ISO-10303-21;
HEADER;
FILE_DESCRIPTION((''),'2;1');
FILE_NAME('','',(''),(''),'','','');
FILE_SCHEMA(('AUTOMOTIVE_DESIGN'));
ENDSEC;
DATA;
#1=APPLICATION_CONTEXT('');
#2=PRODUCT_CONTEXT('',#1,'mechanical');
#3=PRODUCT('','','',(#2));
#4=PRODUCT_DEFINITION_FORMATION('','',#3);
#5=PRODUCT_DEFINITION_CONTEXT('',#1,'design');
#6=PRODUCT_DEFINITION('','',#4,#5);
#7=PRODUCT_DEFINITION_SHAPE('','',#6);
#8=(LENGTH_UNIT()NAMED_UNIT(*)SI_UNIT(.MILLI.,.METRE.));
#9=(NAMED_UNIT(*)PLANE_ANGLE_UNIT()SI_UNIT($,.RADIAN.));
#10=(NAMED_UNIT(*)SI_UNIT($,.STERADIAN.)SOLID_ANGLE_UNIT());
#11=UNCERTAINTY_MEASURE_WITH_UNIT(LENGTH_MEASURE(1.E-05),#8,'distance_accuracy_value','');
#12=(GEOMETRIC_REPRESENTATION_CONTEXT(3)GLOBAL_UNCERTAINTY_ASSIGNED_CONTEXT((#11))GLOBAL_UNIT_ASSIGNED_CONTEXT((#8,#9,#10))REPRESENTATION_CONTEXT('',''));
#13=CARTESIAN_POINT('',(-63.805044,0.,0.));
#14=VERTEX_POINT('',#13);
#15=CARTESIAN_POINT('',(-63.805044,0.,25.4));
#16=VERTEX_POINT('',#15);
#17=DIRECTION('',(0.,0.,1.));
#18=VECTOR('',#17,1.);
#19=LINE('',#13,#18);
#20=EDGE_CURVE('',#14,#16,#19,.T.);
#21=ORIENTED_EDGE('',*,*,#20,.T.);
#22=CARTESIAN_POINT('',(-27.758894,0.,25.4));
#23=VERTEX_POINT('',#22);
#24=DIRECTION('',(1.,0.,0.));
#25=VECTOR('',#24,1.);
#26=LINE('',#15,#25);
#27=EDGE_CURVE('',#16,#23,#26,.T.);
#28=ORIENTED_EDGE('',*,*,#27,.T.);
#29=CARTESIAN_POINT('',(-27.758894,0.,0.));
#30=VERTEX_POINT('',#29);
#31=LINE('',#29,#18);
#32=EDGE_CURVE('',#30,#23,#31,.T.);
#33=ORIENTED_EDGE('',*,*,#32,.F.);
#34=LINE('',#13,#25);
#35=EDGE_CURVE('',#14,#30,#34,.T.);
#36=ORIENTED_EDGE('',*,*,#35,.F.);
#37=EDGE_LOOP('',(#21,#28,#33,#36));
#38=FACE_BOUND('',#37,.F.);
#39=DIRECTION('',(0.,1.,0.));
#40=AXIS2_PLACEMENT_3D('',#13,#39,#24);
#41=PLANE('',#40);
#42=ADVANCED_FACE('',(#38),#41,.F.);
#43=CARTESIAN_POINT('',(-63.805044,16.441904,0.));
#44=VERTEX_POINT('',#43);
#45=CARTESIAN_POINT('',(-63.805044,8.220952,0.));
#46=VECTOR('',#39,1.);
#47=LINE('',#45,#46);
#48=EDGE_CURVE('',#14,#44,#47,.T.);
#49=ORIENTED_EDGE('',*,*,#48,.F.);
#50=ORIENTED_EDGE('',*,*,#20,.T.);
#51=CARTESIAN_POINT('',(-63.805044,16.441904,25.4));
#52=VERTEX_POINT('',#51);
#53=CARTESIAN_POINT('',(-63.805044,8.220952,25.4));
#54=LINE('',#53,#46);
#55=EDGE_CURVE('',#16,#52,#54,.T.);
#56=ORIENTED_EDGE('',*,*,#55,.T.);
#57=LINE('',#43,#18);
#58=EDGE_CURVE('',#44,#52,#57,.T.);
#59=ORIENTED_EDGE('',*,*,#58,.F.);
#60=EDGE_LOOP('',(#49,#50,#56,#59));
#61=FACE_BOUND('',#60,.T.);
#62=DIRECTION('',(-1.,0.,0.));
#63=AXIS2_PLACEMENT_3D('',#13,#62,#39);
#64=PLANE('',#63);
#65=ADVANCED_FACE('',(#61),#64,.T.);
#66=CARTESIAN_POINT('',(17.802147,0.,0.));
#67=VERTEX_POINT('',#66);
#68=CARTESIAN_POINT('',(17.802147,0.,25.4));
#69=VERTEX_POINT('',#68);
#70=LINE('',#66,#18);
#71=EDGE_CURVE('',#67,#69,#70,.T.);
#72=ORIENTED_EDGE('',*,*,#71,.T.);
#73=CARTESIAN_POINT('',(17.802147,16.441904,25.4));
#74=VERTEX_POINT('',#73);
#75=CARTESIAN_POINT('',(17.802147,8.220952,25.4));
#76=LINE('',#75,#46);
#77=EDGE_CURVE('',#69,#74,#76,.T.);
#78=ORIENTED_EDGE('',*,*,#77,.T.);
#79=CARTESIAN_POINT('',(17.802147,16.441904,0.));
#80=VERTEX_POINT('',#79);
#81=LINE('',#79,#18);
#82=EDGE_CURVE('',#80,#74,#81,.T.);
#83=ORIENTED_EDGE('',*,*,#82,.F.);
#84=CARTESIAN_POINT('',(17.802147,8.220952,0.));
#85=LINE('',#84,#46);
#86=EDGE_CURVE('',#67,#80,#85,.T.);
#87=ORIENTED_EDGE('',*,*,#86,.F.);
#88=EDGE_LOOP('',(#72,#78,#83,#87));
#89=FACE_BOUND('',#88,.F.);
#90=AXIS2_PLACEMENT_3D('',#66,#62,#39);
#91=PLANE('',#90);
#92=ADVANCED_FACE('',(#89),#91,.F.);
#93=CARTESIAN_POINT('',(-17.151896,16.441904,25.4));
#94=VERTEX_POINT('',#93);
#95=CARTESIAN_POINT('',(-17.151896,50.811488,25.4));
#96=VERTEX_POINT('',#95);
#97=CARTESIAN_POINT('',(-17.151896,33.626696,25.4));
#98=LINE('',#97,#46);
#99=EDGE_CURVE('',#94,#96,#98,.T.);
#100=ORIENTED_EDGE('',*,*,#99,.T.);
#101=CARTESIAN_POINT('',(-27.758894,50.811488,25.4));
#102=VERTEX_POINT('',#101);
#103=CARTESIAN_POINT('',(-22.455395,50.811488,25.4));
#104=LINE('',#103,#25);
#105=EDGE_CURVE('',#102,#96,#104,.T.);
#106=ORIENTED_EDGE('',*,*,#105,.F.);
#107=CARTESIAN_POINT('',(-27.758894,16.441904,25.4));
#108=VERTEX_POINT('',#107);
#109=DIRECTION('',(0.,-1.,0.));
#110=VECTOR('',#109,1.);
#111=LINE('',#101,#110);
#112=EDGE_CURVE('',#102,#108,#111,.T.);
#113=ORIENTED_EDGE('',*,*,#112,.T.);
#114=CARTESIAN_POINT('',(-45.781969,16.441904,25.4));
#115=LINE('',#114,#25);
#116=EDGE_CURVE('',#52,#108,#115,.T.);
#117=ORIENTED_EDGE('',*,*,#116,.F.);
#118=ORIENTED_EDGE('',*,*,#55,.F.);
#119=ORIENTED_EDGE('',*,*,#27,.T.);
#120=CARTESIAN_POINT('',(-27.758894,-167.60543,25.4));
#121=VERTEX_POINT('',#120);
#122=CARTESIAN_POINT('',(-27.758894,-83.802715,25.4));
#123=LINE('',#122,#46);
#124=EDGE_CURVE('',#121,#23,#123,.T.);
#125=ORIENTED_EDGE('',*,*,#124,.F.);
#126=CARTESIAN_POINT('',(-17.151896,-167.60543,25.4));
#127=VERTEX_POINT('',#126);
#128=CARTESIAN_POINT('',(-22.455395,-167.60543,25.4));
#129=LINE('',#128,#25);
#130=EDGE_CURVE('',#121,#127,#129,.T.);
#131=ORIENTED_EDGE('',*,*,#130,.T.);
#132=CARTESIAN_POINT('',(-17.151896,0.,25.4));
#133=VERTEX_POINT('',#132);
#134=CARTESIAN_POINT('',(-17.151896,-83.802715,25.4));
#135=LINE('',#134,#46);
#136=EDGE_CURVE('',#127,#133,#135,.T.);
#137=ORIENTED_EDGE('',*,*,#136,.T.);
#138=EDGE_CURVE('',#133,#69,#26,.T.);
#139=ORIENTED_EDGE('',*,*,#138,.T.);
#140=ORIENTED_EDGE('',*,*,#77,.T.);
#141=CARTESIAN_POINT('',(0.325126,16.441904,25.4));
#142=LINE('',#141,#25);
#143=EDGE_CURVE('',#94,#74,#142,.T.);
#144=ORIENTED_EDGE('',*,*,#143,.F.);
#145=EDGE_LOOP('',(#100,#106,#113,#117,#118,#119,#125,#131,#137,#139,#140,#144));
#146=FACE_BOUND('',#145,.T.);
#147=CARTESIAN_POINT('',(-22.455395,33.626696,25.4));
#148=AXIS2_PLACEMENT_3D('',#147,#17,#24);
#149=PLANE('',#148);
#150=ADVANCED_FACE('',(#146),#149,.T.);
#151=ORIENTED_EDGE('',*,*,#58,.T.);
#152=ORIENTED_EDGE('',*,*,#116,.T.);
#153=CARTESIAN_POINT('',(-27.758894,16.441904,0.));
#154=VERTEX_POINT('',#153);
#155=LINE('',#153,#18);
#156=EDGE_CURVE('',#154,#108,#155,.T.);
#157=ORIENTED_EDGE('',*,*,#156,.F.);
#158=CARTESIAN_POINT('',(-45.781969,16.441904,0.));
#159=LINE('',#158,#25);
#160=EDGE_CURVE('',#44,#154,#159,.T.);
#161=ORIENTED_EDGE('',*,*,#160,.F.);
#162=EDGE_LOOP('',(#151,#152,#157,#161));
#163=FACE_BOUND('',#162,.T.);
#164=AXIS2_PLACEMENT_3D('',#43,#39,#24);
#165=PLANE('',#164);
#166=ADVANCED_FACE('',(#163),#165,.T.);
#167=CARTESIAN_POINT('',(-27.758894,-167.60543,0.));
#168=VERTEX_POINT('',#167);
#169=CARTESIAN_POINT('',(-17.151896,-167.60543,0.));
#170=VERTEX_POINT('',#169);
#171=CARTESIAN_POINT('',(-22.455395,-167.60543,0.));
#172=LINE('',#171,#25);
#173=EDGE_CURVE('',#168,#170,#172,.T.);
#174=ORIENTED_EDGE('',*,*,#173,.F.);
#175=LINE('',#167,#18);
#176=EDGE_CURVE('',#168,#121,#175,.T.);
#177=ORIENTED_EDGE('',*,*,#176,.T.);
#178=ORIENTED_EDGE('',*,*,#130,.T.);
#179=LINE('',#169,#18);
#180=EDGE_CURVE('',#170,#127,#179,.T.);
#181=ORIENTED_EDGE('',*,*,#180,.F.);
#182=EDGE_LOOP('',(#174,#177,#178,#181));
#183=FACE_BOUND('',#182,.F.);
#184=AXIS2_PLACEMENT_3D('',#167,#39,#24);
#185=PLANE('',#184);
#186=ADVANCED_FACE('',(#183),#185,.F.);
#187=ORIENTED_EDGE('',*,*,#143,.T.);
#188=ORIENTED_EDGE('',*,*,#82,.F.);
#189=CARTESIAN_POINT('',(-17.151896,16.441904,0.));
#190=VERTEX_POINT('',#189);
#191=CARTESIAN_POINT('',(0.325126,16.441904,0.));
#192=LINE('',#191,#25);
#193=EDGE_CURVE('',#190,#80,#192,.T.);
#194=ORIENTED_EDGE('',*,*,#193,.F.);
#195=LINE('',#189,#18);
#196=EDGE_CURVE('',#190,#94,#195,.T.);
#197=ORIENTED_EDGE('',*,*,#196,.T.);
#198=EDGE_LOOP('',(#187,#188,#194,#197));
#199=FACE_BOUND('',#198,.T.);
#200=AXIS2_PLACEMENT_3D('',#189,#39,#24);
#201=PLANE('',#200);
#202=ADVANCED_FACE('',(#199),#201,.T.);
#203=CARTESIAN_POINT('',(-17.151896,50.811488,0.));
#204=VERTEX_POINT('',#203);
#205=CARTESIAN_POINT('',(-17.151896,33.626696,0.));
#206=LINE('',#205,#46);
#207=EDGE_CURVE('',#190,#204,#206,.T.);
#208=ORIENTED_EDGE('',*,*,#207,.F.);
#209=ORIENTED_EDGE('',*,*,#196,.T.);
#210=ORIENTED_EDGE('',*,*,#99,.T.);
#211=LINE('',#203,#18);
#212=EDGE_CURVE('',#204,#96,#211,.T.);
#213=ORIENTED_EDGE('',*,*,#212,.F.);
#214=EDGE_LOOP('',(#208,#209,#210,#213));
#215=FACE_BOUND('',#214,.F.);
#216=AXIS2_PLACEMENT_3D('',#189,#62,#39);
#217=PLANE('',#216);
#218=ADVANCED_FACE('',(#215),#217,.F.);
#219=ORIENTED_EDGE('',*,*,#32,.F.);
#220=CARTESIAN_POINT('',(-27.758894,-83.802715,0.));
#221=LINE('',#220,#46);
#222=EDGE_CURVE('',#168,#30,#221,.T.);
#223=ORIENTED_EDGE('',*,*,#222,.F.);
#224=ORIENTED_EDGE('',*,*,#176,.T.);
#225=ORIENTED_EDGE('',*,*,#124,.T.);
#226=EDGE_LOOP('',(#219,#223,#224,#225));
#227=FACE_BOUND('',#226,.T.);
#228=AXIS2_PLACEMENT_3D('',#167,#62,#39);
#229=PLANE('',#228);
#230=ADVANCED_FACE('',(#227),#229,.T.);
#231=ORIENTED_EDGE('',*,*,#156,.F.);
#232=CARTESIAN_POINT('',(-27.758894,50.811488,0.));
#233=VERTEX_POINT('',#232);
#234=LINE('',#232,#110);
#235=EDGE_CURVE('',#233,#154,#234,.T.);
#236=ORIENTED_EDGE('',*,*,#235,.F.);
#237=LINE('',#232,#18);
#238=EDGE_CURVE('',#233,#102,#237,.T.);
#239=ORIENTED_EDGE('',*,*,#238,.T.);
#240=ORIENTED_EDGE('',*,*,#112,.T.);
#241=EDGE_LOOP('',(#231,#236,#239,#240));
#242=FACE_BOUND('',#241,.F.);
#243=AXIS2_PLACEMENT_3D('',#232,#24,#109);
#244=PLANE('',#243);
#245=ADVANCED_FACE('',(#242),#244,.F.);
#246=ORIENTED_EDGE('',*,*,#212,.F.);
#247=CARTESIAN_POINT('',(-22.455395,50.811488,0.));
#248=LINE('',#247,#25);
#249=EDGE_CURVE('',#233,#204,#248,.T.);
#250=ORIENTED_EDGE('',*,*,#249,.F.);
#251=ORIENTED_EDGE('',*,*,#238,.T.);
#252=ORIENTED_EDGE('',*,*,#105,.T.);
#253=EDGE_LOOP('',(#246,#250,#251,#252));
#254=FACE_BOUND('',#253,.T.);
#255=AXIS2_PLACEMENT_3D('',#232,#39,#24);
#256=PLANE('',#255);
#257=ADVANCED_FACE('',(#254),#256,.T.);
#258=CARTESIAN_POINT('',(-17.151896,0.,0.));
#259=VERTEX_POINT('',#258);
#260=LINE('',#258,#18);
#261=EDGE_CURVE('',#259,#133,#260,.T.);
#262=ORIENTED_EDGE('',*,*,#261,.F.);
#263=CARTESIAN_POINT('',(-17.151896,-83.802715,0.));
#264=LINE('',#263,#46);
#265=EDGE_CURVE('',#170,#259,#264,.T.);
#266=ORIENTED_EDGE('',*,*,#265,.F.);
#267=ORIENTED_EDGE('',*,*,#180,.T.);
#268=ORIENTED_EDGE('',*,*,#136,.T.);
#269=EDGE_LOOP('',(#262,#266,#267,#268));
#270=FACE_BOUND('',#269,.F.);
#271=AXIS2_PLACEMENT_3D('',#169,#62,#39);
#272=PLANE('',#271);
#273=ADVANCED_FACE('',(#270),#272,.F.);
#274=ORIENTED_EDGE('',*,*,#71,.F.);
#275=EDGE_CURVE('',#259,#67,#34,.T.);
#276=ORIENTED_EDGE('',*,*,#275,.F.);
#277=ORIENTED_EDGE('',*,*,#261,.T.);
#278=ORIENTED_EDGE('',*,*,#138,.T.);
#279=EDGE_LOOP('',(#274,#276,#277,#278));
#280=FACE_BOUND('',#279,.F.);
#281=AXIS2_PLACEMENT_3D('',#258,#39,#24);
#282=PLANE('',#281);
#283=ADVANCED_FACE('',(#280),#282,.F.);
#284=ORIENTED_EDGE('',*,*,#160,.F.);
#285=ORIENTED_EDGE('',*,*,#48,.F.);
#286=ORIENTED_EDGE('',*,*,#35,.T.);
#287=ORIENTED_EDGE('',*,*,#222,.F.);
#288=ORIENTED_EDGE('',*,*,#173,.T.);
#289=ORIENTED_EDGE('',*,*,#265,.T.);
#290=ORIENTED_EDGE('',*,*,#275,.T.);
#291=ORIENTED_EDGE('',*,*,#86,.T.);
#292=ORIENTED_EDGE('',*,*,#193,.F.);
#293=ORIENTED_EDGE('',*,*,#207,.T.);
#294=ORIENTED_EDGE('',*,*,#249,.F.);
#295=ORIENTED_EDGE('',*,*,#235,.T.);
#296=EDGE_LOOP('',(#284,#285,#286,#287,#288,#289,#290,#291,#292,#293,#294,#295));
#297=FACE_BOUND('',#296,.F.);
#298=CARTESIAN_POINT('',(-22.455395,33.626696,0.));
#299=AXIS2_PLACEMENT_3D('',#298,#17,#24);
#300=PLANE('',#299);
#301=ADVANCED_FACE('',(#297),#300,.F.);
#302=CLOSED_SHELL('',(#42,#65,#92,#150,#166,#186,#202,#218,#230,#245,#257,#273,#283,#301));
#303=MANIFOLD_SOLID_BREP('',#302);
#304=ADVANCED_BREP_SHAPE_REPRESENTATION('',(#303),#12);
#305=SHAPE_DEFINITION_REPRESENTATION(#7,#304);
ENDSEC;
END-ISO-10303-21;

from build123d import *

# Parameters (mm, degrees)
F0_W     = 10.6069985777
F0_H     = 34.369584173
F0_W_2   = 34.9540431052
F0_H_2   = 16.4419040084
F0_W_3   = 36.0461492091
F0_H_3   = 167.6054298878
F1_DEPTH = 25.4


with BuildPart() as f1:
    # F0 (on Top) → F1 (new body)
    with BuildSketch(Plane.XY):
        with Locations((-22.4553951994, 33.6266960949)):
            Rectangle(F0_W, F0_H)
        with Locations((0.3251256421, 8.2209520042)):
            Rectangle(F0_W_2, F0_H_2)
        with Locations((-22.4553951994, 8.2209520042)):
            Rectangle(F0_W, F0_H_2)
        with Locations((-45.7819690928, 8.2209520042)):
            Rectangle(F0_W_3, F0_H_2)
        with Locations((-22.4553951994, -83.8027149439)):
            Rectangle(F0_W, F0_H_3)
    extrude(amount=F1_DEPTH)


solid = f1.part
